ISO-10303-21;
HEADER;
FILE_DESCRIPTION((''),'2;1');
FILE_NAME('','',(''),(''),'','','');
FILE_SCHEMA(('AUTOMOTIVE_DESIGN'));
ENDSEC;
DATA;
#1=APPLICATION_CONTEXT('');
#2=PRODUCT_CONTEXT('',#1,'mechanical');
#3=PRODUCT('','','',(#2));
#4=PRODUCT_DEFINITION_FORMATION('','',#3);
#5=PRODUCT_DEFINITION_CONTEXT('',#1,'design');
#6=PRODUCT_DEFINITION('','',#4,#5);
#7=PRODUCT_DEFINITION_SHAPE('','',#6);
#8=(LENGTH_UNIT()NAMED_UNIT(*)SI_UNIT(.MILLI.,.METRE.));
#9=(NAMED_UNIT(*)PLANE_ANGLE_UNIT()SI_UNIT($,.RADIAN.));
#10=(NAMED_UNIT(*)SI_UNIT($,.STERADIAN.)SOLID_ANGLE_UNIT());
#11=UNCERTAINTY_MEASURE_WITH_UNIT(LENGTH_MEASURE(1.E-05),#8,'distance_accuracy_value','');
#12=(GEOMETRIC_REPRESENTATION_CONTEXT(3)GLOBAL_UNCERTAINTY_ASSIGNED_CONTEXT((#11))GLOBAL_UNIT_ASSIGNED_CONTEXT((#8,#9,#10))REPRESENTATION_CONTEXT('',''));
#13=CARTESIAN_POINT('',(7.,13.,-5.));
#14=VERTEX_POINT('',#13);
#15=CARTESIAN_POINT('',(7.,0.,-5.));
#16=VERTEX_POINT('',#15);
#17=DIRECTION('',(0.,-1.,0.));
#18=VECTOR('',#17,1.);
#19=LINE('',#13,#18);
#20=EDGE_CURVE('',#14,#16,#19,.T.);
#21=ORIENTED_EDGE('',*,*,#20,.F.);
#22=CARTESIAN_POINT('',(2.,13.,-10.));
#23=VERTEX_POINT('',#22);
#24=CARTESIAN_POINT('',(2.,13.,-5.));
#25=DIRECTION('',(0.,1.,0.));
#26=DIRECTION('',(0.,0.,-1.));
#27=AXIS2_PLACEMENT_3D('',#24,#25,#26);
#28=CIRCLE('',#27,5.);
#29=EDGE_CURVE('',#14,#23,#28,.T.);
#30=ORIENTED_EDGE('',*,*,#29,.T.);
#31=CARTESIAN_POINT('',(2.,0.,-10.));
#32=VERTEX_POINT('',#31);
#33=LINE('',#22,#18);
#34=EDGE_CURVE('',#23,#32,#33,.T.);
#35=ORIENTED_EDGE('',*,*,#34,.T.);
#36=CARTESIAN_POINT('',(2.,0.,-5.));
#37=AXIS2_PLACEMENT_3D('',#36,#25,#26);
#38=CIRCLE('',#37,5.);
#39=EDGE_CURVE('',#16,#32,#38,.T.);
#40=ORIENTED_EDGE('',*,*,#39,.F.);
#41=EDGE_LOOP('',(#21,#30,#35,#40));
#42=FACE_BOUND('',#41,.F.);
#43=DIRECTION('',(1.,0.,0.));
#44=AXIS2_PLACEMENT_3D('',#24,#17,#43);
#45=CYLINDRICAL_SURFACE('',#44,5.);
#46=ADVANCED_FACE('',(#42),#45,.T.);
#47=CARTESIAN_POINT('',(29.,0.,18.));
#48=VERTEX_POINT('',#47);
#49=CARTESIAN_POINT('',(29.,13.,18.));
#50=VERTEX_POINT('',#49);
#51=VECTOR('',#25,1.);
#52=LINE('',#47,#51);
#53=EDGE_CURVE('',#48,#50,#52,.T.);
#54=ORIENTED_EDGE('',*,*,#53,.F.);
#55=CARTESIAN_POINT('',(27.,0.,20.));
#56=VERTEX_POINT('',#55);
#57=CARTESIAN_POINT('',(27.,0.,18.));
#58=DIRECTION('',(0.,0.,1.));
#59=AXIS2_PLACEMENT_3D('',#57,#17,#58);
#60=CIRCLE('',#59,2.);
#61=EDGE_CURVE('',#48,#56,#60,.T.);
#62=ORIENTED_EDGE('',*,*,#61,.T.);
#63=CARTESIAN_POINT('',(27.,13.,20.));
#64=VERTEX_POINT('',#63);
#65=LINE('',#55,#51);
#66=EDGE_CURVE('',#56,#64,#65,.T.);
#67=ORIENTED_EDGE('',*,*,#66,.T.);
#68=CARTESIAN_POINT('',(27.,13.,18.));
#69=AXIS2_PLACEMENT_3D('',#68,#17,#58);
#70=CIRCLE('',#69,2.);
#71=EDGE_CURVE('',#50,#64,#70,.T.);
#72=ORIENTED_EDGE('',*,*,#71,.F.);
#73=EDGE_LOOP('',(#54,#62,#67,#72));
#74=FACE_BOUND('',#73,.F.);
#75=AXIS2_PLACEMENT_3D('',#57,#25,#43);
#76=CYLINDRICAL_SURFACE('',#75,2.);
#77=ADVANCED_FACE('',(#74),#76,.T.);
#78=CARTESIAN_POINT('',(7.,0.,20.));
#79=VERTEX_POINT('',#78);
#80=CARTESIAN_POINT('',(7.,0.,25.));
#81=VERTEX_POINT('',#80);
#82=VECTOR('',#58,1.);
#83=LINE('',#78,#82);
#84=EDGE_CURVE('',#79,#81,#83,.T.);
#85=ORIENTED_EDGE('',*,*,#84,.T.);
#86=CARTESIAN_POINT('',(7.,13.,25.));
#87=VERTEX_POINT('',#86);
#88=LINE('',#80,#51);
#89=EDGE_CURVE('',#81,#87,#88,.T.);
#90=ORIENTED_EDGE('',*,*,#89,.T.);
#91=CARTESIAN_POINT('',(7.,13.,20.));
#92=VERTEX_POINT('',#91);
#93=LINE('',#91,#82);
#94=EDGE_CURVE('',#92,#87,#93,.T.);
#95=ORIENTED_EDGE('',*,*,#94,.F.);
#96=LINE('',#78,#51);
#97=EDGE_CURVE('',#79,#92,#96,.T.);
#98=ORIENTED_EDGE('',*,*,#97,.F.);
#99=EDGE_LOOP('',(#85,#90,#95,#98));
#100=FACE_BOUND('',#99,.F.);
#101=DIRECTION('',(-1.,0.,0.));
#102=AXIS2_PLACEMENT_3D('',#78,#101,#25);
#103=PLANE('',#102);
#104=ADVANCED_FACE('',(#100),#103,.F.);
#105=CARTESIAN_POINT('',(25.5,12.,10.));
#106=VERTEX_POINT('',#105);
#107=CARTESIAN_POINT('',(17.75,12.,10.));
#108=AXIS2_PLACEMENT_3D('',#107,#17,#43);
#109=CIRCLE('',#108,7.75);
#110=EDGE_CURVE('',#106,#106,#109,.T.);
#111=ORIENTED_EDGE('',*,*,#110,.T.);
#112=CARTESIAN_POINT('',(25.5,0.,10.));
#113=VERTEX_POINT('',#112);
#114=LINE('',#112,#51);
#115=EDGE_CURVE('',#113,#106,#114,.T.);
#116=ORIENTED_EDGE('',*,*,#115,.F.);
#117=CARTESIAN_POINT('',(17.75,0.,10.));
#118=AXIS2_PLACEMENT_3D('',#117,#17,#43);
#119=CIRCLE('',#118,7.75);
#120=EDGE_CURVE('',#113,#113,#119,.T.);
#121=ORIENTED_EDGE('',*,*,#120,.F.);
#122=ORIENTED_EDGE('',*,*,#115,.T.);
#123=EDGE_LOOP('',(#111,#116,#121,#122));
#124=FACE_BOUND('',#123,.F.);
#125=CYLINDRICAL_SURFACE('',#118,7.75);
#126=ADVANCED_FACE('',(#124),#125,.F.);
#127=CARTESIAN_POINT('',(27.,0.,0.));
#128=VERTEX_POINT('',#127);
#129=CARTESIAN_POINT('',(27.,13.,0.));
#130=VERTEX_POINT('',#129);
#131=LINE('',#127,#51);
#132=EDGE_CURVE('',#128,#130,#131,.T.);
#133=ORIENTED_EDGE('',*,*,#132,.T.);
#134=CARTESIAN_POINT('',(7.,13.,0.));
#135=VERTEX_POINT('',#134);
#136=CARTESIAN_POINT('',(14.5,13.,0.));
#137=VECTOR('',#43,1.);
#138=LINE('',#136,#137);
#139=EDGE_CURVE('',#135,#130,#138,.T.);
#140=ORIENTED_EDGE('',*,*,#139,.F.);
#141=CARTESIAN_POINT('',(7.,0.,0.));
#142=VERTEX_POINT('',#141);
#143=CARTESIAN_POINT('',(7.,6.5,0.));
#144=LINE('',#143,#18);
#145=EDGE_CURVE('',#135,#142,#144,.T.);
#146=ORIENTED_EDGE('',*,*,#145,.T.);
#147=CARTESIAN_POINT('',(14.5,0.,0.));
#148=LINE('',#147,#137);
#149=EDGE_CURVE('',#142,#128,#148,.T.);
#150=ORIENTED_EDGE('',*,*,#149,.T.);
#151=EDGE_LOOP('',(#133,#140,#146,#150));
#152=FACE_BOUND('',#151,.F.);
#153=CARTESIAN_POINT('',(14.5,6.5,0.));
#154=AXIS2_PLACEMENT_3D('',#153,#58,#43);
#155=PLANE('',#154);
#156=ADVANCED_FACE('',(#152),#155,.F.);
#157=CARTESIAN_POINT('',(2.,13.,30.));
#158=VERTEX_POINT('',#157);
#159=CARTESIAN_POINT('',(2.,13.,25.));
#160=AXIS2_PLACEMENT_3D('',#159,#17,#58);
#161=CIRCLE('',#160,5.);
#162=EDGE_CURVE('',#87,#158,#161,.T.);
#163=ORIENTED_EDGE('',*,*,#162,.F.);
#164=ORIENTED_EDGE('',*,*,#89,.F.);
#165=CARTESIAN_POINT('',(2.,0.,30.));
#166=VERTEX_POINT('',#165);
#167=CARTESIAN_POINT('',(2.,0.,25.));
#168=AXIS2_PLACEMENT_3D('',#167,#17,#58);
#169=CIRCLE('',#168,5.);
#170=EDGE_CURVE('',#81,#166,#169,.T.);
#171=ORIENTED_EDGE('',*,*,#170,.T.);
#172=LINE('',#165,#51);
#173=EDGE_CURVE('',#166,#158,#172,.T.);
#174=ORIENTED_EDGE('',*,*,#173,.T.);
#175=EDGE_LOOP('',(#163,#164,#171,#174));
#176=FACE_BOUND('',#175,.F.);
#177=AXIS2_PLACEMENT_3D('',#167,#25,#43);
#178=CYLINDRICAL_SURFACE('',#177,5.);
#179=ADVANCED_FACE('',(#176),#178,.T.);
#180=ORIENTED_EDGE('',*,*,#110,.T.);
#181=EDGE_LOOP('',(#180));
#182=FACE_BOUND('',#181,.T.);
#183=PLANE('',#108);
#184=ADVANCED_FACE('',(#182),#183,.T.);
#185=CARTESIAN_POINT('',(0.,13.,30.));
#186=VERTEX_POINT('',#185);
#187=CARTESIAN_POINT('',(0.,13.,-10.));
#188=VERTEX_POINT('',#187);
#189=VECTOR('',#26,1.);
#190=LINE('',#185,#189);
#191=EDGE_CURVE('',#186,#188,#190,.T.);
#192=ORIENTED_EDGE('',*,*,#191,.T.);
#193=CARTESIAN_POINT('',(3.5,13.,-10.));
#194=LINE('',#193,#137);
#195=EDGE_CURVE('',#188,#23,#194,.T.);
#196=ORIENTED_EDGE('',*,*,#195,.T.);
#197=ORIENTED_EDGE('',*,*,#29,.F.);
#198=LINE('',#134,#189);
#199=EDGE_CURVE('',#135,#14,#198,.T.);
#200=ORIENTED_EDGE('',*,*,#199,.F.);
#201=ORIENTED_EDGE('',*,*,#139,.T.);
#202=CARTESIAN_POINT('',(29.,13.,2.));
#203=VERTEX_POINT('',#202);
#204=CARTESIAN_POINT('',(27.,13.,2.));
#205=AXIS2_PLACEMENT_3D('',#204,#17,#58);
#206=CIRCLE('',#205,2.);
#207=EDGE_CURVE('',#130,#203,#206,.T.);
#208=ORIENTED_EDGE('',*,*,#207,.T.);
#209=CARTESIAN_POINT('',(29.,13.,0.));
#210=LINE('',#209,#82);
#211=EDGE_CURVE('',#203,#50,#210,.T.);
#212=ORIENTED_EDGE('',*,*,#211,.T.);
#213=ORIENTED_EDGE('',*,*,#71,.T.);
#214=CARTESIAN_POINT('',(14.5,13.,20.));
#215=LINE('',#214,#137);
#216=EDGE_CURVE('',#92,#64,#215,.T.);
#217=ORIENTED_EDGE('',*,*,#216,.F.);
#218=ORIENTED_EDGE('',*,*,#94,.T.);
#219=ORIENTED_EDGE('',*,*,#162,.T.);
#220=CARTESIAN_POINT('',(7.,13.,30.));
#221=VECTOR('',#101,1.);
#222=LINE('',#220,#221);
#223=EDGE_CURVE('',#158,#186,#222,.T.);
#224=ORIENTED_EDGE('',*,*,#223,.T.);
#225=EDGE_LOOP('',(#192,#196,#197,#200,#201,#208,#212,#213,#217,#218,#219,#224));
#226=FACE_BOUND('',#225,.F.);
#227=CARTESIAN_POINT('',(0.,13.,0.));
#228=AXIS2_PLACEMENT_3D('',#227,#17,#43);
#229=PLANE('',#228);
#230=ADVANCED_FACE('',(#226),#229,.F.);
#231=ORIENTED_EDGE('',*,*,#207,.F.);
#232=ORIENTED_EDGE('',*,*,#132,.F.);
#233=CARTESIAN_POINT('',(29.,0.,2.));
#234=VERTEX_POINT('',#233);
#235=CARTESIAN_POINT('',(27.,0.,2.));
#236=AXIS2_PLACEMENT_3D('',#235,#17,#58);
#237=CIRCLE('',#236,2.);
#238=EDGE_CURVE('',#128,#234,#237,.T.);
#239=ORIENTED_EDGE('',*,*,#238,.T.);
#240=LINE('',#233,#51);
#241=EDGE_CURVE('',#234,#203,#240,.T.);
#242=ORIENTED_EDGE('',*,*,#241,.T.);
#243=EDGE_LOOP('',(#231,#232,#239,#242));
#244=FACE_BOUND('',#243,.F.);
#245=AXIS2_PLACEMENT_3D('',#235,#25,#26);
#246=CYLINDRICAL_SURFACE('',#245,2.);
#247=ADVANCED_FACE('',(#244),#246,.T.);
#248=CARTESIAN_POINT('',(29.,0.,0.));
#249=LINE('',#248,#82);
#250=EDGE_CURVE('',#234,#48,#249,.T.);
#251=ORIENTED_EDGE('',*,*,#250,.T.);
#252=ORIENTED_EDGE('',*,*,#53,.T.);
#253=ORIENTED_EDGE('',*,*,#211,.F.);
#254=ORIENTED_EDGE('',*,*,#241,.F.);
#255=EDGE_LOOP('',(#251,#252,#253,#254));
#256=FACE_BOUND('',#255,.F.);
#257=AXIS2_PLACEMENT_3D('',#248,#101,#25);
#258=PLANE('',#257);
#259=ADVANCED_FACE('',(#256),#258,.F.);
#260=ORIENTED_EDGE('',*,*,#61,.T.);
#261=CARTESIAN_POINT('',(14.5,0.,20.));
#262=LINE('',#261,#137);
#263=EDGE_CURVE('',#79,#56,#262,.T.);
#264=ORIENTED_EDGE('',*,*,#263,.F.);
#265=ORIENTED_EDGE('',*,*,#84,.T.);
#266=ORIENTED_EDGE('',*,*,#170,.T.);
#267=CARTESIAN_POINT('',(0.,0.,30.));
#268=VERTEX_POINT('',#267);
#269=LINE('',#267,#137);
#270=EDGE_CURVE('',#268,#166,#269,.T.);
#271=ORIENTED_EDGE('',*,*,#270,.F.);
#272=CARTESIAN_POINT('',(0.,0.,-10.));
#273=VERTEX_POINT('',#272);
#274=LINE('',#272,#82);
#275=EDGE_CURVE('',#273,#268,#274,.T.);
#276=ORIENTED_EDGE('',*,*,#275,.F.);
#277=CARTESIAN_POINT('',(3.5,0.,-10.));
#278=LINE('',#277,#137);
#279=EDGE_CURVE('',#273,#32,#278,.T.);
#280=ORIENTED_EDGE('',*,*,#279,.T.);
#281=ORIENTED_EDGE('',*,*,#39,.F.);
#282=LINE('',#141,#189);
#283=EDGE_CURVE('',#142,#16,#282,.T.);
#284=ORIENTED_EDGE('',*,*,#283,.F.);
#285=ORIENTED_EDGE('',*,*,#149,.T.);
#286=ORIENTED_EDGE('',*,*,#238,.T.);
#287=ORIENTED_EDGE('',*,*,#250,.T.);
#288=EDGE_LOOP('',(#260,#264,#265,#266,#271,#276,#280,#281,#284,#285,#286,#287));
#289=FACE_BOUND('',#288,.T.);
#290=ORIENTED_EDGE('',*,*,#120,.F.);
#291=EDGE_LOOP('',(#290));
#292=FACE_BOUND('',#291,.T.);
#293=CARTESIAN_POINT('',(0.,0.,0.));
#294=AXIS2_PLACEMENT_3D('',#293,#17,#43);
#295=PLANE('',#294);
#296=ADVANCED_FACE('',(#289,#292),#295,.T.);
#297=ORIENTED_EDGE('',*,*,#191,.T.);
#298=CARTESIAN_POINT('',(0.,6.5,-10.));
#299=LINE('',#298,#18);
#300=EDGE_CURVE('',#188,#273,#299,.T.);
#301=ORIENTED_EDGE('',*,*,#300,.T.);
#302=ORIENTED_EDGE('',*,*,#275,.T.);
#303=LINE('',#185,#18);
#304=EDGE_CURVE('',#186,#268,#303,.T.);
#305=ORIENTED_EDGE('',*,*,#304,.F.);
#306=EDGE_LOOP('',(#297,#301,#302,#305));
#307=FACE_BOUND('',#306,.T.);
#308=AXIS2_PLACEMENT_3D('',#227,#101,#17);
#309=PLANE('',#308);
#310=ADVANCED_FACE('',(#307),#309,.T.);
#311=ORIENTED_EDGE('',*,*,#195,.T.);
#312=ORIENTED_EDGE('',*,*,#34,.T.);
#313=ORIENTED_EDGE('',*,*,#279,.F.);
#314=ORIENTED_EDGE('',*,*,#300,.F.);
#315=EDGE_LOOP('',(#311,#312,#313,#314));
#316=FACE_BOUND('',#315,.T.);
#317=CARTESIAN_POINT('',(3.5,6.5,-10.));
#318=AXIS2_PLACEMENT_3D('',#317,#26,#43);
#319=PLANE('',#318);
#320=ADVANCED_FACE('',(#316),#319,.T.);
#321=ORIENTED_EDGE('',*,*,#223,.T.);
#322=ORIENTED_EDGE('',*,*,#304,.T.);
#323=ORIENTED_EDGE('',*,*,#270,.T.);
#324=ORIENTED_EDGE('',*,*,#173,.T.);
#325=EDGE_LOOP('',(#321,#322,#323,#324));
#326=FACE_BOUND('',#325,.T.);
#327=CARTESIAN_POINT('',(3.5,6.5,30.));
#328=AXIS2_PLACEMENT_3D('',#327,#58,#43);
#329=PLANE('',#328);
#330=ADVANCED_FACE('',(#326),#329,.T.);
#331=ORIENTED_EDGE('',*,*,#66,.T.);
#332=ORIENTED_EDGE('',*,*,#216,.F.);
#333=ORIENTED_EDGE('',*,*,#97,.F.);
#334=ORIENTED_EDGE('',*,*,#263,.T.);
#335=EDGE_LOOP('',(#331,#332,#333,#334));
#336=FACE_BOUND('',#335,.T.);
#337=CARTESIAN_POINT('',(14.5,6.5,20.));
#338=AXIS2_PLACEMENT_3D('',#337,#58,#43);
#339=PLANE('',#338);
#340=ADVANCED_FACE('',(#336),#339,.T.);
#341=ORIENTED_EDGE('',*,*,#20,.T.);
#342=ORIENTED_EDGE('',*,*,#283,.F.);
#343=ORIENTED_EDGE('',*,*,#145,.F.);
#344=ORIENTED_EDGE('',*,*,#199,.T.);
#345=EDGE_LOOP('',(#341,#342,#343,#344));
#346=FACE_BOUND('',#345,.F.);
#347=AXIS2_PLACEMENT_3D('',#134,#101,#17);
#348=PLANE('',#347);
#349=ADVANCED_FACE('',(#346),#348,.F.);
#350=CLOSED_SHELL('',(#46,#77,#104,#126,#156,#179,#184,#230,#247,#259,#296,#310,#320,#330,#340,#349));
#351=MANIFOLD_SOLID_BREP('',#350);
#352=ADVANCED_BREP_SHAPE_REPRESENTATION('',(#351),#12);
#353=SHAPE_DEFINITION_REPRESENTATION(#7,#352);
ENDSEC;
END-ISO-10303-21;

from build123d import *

# Parameters (mm, degrees)
F0_W     = 29
F0_H     = 13
F1_DEPTH = 20
F2_R     = 7.75
F3_DEPTH = 12
F5_DEPTH = 10
F6_W     = 7
F6_H     = 13
F7_DEPTH = 10
F8_R     = 5
F9_R     = 2


with BuildPart() as f1:
    # F0 (on Top) → F1 (new body)
    with BuildSketch(Plane.XY):
        with Locations((14.5, 6.5)):
            Rectangle(F0_W, F0_H)
    extrude(amount=F1_DEPTH)

    # F2 (on face) → F3 (cut)
    with BuildSketch(Plane.XZ):
        with Locations((17.75, 10)):
            Circle(F2_R)
    extrude(amount=-F3_DEPTH, mode=Mode.SUBTRACT)

    # F4 (on face) → F5 (join)
    with BuildSketch(Plane.XY.offset(20)):
        Polygon((2, 0), (7, 0), (7, 13), (0, 13), (0, 0), align=None)
    extrude(amount=F5_DEPTH)

    # F6 (on face) → F7 (join)
    with BuildSketch(Plane(origin=(0, 0, 0), x_dir=(1, 0, 0), z_dir=(0, 0, -1))):
        with Locations((3.5, -6.5)):
            Rectangle(F6_W, F6_H)
    extrude(amount=F7_DEPTH)

    # F8
    f8_edges = [f1.edges().sort_by_distance(p)[0] for p in [
        (7, 6.5, 30),
        (7, 6.5, -10),
    ]]
    fillet(f8_edges, radius=F8_R)

    # F9
    f9_edges = [f1.edges().sort_by_distance(p)[0] for p in [
        (29, 6.5, 20),
        (29, 6.5, 0),
    ]]
    fillet(f9_edges, radius=F9_R)


solid = f1.part
